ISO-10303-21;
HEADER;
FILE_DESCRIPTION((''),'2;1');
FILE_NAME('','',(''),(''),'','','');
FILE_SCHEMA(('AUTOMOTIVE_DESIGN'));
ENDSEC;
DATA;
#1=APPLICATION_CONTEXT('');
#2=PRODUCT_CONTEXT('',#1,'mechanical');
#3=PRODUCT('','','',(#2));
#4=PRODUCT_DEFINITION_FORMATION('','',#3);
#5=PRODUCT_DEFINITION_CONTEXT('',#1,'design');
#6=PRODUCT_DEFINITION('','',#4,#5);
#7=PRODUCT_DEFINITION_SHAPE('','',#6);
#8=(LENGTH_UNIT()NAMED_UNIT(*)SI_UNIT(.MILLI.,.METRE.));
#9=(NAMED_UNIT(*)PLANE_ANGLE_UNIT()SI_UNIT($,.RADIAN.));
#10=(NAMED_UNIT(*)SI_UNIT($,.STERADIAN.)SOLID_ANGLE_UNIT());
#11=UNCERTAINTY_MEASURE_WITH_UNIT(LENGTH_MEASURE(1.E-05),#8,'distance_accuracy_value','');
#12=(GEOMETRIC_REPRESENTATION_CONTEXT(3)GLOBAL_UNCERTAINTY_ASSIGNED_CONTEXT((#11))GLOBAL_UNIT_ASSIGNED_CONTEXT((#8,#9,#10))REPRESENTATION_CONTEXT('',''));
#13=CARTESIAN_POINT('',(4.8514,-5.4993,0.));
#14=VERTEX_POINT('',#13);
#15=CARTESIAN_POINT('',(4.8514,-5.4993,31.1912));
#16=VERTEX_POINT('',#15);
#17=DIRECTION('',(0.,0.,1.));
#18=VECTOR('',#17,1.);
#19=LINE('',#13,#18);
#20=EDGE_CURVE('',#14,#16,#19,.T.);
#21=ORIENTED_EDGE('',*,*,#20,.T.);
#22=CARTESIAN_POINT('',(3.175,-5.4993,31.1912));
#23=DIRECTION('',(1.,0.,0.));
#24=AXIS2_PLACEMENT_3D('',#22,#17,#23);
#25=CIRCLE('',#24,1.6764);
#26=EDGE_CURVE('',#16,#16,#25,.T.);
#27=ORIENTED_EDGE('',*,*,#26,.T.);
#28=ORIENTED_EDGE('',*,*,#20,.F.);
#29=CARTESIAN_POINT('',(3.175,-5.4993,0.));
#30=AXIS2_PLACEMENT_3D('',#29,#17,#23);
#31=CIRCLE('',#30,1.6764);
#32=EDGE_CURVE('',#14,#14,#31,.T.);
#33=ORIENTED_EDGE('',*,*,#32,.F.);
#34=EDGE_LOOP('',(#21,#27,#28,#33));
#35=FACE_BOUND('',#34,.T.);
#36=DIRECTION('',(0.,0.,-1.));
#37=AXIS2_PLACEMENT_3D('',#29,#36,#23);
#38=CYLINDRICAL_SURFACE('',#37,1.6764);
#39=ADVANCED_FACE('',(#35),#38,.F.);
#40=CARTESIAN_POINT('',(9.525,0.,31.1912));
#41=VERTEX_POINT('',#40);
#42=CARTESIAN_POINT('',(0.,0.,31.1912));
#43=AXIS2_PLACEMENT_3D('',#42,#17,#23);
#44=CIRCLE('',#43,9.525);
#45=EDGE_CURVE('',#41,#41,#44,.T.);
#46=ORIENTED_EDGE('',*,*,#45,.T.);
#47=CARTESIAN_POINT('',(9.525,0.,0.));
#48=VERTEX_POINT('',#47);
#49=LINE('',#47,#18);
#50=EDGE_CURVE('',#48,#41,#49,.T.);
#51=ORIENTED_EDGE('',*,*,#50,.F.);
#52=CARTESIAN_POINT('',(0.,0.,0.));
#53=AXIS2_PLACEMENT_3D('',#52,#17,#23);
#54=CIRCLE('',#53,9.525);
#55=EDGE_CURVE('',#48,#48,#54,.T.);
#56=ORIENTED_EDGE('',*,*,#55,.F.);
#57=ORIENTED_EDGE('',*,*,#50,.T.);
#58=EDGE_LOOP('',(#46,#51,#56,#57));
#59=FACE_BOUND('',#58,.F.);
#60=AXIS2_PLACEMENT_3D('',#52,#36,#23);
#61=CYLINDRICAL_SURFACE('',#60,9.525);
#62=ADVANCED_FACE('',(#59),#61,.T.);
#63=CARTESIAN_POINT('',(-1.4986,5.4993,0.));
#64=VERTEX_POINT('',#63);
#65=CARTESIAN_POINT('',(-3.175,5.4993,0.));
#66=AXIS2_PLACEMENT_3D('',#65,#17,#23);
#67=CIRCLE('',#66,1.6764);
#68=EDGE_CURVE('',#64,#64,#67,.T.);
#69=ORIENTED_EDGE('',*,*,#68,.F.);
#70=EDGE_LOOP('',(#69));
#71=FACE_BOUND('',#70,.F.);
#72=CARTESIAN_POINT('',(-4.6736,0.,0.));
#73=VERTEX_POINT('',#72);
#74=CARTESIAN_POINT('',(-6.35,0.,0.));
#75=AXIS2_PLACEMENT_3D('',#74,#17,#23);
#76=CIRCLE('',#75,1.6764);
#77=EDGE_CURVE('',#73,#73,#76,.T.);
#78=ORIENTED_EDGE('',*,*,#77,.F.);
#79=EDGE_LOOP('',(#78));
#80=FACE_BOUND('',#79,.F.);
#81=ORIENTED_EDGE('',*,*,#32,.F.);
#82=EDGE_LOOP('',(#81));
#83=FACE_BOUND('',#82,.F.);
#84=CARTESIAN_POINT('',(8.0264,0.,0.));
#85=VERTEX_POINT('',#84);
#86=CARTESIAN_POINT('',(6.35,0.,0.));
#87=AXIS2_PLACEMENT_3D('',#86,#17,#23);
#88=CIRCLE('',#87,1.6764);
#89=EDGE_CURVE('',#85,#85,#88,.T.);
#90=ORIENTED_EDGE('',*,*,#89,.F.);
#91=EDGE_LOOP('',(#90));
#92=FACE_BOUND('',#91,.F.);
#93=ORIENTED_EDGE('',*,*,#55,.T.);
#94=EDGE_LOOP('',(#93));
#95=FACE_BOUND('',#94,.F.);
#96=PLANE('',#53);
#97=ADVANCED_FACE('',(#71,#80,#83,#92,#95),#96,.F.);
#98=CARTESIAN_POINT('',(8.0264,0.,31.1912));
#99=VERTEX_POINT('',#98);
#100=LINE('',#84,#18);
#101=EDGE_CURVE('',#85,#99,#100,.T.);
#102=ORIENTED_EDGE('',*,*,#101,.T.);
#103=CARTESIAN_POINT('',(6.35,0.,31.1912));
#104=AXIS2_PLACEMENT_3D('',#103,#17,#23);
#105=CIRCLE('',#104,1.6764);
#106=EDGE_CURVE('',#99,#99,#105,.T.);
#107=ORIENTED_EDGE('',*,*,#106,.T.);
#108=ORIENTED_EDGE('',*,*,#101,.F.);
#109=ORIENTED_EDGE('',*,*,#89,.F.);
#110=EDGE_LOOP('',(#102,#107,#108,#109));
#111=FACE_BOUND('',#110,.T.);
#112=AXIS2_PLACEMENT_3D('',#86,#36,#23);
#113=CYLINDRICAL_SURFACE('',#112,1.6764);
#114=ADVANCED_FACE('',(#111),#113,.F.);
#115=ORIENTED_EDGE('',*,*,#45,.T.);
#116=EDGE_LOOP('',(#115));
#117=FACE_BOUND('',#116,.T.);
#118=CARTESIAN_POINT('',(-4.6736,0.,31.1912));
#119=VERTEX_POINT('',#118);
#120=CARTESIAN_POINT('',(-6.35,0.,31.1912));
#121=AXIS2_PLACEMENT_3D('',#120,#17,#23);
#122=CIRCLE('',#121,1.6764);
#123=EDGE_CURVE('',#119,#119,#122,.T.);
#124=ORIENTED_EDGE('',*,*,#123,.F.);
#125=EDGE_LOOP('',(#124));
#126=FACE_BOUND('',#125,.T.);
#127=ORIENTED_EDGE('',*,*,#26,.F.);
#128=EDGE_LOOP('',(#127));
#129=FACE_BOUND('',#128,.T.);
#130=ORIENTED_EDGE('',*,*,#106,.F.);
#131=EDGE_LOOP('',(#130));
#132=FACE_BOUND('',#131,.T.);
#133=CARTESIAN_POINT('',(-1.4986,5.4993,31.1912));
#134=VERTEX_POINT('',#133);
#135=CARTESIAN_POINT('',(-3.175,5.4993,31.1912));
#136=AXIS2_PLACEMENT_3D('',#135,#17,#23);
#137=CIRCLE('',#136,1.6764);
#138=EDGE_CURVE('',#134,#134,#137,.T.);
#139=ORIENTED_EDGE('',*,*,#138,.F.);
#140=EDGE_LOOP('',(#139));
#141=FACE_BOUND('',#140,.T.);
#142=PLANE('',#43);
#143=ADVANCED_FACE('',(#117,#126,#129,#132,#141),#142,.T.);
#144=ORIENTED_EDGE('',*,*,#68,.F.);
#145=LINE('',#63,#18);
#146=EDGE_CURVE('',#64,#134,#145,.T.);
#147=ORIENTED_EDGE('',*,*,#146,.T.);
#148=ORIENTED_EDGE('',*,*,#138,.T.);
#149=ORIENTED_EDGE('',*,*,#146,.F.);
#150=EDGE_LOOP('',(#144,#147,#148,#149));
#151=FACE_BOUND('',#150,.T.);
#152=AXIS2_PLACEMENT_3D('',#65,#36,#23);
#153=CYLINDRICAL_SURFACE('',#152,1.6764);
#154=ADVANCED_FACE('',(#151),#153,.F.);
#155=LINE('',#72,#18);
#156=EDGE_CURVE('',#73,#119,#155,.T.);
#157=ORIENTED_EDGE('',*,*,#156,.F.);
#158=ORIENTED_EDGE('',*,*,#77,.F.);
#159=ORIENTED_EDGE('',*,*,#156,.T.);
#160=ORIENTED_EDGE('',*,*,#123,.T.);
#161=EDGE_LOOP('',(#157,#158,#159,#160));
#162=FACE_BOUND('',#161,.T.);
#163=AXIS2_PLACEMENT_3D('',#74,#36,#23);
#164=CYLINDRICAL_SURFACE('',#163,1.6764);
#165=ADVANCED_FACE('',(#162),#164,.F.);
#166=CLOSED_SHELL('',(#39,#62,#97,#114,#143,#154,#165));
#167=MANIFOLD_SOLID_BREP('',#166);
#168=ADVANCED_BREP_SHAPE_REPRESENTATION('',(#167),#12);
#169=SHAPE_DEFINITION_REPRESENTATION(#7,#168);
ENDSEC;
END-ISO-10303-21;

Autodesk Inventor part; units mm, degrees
ref_plane "YZ Plane" through (0, 0, 0) normal (1, 0, 0) x (0, 1, 0)
ref_plane "XZ Plane" through (0, 0, 0) normal (0, 1, 0) x (-1, 0, 0)
ref_plane "XY Plane" through (0, 0, 0) normal (0, 0, 1) x (1, 0, 0)
sketch "Sketch1" plane through (0, 0, 0) normal (0, 0, 1) x (1, 0, 0)
  circle A0 centre (3.175, -5.4993) radius 1.6764
  circle A1 centre (-3.175, 5.4993) radius 1.6764
  circle A2 centre (0, 0) radius 9.525
  circle A3 centre (-6.35, 0) radius 1.6764
  circle A4 centre (6.35, 0) radius 1.6764
  circle A5 centre (-6.35, 0) radius 1.6764
  circle A6 centre (6.35, 0) radius 1.6764
  point P0 (-9.525, 0)
  point P1 (9.525, 0)
  dimension "d69" = 3.3528
  dimension "d70" = 3.3528
  dimension "d75" = 3.3528
  dimension "d76" = 3.3528
  dimension "d77" = 3.3528
  dimension "d78" = 3.3528
extrude "Extrusion14" add sketch "Sketch1" along normal blind 31.1912
properties part number "Crankshaft"
